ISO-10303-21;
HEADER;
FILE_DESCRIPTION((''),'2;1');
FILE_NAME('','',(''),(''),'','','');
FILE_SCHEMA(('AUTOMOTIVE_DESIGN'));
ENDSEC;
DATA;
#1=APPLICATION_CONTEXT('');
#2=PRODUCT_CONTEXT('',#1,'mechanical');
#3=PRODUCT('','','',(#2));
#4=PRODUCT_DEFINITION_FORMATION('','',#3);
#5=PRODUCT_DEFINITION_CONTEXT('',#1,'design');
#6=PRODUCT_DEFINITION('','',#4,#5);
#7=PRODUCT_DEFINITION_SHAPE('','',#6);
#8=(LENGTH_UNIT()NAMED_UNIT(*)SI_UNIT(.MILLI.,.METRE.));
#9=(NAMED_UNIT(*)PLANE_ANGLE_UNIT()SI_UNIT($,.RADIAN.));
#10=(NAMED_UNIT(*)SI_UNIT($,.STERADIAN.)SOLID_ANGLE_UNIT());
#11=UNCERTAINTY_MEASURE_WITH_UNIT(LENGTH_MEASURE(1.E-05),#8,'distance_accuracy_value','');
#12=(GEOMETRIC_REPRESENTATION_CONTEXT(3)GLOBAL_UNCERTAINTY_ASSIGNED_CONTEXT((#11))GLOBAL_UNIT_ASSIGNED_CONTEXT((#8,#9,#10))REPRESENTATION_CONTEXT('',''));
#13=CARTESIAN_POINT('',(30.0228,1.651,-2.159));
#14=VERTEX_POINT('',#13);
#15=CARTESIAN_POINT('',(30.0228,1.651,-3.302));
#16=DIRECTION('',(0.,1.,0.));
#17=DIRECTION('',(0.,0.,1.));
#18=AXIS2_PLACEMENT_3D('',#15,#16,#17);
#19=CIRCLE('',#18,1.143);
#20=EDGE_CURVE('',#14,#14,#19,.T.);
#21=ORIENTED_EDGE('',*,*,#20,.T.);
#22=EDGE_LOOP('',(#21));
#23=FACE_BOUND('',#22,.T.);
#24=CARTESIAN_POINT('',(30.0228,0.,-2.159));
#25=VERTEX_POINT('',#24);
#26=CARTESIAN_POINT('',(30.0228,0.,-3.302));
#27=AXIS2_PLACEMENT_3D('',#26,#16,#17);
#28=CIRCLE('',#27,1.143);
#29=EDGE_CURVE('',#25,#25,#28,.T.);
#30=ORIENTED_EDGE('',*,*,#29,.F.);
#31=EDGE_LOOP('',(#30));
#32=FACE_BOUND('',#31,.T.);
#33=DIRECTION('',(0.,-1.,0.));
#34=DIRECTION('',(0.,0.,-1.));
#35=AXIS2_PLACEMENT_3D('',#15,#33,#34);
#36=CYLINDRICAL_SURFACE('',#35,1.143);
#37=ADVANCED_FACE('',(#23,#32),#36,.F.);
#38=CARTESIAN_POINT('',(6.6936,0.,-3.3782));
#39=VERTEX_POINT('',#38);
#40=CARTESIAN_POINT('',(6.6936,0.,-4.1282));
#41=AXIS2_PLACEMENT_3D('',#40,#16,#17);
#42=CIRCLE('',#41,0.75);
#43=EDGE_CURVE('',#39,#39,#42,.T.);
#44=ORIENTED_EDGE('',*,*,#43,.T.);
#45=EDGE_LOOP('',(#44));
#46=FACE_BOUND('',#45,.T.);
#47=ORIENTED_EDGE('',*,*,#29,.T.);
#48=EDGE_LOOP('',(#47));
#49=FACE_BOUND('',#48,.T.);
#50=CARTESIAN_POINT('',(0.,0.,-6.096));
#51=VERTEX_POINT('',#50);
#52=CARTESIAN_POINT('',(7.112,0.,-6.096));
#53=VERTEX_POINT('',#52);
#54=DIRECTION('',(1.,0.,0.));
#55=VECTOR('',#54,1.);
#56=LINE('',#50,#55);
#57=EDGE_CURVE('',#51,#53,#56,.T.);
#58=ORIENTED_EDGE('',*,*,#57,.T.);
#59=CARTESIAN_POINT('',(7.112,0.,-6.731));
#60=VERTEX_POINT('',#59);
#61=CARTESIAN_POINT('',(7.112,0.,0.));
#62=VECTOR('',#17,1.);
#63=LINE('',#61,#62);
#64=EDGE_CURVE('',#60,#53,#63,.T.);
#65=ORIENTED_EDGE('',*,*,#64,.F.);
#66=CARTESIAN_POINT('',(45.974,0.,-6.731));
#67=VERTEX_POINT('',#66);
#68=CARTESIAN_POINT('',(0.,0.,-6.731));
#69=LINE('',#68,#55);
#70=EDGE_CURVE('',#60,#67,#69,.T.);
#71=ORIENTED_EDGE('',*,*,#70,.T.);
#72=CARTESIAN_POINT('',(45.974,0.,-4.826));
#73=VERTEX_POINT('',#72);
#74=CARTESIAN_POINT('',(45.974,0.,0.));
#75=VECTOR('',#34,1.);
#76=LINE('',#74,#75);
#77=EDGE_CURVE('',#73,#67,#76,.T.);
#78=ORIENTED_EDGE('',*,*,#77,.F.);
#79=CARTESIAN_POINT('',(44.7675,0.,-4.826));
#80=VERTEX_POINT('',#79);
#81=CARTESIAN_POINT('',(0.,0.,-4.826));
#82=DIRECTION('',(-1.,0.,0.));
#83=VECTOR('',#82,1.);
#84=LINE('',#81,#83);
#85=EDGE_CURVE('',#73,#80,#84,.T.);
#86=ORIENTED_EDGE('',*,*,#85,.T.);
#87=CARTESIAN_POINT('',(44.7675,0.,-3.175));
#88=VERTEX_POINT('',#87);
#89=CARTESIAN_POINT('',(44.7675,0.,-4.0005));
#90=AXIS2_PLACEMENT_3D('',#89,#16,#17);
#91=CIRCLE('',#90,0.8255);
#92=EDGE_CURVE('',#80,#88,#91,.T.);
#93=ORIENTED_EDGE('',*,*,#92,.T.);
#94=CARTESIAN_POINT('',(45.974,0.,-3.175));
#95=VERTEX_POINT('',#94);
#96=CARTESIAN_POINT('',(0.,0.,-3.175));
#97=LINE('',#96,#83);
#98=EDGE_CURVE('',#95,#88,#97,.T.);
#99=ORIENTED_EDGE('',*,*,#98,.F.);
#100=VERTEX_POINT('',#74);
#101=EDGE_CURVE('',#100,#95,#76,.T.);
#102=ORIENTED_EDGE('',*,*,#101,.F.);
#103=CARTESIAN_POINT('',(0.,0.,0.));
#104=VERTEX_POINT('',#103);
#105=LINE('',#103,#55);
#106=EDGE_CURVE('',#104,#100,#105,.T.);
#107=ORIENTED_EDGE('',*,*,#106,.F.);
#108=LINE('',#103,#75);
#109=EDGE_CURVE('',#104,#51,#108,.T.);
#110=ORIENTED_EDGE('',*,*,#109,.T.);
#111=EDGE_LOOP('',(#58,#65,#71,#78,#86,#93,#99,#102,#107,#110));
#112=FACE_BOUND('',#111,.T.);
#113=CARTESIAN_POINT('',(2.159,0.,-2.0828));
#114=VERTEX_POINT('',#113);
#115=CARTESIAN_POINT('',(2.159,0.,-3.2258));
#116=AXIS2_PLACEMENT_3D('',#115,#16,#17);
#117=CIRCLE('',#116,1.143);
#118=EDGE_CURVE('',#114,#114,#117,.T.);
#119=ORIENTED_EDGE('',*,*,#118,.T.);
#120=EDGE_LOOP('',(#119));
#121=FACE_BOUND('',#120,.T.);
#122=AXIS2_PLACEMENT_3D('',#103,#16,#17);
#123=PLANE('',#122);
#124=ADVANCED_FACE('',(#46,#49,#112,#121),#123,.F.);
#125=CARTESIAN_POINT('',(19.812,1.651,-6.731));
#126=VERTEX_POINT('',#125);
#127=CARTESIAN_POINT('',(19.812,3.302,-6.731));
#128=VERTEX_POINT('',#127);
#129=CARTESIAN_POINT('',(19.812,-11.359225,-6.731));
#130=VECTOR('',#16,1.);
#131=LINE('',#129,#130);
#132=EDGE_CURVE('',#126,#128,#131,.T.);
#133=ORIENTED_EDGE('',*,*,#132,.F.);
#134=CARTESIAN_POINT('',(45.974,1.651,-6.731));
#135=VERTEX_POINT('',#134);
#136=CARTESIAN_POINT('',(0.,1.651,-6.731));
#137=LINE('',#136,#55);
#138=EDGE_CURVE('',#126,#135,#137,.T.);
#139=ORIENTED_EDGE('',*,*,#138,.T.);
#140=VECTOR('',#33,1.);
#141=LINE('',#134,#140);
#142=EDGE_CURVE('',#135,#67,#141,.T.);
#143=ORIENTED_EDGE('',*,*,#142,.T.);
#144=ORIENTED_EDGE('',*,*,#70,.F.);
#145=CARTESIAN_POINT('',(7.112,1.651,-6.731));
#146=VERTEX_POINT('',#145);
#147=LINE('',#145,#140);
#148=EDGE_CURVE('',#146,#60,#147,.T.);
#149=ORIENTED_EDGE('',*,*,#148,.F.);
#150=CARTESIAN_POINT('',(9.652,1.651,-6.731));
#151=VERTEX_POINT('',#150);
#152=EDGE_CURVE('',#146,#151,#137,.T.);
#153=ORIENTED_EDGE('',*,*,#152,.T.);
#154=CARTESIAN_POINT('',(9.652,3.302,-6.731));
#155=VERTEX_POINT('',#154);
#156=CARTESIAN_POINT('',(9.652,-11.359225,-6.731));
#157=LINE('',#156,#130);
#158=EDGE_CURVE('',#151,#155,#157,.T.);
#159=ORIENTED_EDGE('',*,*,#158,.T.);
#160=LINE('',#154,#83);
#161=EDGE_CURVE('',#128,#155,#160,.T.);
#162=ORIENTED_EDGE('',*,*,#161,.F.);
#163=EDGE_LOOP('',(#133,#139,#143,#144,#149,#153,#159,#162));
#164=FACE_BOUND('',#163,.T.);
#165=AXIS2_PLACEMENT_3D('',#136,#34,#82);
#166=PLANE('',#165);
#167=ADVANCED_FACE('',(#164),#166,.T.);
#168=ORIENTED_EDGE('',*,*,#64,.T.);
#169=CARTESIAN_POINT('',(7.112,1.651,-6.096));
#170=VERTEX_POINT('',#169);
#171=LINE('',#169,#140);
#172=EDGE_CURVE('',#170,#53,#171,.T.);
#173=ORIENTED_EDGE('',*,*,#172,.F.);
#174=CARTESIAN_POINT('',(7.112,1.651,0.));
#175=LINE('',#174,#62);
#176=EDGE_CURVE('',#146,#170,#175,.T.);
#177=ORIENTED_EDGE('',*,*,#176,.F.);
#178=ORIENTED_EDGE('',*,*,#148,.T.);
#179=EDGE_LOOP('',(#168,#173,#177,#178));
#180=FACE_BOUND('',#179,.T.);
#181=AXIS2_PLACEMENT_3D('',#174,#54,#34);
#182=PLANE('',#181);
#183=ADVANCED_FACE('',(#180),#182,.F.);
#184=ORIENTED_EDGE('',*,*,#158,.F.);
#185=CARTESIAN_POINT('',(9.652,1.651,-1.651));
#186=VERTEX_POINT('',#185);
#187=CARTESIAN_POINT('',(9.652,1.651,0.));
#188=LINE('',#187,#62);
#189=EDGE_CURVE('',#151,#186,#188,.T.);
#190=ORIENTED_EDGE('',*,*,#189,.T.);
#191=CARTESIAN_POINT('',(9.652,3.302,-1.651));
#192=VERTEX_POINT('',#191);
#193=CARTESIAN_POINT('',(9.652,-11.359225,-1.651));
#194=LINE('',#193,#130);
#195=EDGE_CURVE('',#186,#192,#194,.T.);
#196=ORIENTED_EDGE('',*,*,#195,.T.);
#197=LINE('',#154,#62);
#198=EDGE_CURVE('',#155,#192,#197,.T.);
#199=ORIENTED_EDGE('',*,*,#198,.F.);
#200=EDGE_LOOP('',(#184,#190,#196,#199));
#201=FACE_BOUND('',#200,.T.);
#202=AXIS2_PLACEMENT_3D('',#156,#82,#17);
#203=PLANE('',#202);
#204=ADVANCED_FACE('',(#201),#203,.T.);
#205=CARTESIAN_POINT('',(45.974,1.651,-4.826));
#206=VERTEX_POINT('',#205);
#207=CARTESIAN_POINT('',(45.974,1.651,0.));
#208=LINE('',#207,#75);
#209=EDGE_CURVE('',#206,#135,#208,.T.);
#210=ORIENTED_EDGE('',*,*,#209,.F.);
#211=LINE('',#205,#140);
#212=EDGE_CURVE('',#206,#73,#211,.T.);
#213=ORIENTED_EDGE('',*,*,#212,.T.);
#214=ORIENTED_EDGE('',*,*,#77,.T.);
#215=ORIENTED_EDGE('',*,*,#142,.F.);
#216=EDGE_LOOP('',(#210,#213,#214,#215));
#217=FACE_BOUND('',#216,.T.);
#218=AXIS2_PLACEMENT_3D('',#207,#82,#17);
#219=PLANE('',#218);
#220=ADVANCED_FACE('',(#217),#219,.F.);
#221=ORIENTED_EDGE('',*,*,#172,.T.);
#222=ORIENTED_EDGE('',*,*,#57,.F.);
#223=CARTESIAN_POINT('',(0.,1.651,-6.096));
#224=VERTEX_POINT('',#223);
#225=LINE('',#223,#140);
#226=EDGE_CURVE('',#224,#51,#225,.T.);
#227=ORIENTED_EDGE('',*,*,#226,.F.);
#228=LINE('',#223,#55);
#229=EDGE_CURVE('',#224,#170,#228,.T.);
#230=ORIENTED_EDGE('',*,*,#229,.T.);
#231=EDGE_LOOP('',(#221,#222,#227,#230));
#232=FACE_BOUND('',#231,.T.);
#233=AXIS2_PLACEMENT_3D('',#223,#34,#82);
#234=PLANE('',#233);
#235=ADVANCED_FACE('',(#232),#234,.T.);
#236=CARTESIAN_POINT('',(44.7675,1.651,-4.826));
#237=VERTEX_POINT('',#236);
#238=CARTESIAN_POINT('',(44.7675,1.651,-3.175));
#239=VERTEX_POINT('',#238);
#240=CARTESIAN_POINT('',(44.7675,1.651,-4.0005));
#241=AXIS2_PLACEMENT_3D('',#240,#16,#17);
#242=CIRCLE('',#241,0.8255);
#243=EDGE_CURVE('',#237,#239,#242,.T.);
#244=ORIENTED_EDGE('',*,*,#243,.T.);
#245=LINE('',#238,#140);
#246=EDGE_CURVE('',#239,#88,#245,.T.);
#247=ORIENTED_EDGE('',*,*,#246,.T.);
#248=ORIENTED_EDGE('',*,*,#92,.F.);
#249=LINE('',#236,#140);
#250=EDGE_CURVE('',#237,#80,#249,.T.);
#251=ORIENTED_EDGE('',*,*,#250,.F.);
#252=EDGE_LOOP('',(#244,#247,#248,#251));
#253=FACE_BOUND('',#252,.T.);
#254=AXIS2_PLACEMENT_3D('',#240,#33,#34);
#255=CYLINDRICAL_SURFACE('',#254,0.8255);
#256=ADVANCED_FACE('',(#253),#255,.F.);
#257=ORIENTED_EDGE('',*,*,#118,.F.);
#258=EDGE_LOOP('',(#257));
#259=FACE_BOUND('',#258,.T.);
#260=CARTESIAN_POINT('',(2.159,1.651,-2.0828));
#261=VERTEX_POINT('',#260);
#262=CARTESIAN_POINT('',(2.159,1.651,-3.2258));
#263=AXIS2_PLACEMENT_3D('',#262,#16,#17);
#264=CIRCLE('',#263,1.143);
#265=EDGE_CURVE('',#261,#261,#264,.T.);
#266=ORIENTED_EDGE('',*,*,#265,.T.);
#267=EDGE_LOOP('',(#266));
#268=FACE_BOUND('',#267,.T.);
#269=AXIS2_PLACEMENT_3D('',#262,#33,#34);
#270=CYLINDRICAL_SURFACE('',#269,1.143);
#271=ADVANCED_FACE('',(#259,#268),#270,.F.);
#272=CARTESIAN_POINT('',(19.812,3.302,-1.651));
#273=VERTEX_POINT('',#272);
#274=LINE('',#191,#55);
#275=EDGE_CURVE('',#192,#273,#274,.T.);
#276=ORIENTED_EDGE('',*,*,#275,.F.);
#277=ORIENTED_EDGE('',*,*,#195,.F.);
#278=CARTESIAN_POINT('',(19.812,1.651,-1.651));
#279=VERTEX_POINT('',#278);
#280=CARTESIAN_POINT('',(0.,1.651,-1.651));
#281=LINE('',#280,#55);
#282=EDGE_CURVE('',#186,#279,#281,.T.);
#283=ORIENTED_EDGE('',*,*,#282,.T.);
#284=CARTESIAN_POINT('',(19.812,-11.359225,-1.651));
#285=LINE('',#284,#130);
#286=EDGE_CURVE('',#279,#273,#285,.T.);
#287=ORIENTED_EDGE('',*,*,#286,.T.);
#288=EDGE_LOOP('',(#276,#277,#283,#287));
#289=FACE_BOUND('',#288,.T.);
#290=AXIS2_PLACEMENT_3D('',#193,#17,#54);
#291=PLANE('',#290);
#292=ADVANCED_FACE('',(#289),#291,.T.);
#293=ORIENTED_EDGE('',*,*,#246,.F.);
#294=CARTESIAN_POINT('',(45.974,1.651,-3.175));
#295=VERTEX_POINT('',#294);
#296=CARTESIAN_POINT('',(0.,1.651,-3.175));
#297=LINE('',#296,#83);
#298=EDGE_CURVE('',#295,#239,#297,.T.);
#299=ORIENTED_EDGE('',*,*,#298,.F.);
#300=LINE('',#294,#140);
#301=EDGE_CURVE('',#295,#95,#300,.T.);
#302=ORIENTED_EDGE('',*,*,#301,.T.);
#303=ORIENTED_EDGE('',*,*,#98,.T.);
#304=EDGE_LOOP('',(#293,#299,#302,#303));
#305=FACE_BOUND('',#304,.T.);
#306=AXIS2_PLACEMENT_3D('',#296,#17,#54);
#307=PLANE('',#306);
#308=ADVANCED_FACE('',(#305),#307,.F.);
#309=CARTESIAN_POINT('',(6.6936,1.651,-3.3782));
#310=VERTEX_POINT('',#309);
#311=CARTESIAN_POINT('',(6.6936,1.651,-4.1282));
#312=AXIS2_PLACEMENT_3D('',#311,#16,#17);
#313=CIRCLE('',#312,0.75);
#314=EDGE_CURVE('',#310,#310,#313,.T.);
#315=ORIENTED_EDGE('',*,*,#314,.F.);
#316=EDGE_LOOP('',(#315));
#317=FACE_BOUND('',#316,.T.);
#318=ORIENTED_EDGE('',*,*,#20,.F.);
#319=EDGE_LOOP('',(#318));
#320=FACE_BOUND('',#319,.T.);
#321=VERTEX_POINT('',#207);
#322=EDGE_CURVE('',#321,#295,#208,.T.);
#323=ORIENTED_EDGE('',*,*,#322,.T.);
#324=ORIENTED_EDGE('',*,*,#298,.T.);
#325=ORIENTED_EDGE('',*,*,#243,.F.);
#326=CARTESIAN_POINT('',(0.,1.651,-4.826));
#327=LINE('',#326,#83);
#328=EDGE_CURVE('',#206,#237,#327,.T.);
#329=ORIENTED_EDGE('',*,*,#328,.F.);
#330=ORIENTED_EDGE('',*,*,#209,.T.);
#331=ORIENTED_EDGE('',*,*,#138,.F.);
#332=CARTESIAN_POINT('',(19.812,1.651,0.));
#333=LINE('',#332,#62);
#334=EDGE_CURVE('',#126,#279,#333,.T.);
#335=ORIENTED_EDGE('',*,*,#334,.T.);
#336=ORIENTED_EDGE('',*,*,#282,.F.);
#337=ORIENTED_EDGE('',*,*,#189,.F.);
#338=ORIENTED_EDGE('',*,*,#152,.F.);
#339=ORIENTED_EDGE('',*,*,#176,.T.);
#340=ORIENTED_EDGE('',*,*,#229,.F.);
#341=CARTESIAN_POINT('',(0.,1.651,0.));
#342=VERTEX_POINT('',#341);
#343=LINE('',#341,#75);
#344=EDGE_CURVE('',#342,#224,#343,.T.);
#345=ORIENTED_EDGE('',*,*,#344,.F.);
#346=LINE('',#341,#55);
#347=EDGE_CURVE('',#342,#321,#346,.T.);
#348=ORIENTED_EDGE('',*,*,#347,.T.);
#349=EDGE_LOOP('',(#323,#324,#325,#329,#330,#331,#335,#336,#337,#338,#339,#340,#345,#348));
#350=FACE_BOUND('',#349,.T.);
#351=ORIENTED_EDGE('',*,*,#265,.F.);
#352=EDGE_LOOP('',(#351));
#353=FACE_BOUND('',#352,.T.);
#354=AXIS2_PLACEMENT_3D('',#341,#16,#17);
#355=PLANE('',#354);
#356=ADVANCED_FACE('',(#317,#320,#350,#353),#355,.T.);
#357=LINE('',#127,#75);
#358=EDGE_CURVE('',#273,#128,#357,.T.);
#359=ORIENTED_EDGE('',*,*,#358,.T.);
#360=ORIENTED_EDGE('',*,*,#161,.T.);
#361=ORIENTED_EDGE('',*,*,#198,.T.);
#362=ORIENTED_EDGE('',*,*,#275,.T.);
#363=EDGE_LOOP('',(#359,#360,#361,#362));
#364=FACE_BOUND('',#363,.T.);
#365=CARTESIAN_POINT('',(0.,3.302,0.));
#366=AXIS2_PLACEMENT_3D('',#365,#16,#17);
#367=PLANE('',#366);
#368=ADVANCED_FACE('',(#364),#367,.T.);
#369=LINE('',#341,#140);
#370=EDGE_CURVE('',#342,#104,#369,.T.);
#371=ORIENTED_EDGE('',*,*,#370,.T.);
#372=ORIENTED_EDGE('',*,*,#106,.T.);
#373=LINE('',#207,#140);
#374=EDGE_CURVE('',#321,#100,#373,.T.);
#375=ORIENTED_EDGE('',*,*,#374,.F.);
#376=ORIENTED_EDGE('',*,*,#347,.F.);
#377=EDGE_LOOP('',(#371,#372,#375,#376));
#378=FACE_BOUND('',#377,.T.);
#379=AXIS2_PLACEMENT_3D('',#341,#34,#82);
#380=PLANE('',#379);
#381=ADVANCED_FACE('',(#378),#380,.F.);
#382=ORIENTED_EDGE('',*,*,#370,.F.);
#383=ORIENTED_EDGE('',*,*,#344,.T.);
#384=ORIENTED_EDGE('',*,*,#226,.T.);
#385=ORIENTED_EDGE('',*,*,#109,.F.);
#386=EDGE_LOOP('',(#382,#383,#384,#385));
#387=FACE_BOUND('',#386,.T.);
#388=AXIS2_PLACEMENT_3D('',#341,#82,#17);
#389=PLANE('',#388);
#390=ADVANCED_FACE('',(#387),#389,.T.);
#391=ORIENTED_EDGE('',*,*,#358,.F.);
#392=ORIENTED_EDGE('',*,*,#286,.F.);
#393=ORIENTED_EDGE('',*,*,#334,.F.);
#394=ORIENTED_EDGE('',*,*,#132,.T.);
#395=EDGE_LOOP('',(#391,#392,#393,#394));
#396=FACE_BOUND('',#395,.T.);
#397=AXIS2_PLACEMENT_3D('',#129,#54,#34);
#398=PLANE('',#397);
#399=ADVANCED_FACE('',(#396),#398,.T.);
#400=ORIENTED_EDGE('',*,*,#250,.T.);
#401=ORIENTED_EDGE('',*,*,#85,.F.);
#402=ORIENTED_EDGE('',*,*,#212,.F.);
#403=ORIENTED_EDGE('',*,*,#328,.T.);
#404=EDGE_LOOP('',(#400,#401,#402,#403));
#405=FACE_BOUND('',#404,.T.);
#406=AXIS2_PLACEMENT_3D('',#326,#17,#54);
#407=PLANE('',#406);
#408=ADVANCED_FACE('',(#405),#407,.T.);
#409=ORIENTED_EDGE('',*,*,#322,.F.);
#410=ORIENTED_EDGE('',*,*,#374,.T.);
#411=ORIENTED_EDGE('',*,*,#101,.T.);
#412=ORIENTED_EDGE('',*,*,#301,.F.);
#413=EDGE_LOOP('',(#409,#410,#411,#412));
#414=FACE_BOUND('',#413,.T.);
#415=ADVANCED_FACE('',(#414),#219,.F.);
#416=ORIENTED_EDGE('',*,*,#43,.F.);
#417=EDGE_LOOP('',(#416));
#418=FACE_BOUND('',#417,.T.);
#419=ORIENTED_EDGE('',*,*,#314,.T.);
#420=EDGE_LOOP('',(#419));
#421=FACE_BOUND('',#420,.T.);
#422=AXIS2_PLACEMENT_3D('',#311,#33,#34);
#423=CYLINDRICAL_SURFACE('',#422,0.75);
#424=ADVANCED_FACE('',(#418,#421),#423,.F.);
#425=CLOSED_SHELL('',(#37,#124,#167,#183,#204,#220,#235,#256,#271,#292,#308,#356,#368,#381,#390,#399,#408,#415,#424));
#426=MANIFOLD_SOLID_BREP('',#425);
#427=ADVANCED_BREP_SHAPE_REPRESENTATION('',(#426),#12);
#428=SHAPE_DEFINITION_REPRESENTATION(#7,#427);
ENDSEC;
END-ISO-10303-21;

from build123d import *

# Parameters (mm, degrees)
SKETCH1_R                = 1.143
SKETCH1_R_2              = 0.75
BOSS_EXTRUDE1_DEPTH      = 1.651
SKETCH2_W                = 10.16
SKETCH2_H                = 5.08
BOSS_EXTRUDE2_DEPTH      = 1.651
BOSS_EXTRUDE2_DEPTH_BACK = 1.651


with BuildPart() as part:
    # Sketch1 → Boss-Extrude1 (new body)
    with BuildSketch(Plane(origin=(0, 0, 0), x_dir=(1, 0, 0), z_dir=(0, 1, 0))):
        with BuildLine():
            Line((0, 6.096), (0, 0))
            Line((0, 0), (45.974, 0))
            Line((45.974, 0), (45.974, 3.175))
            Line((45.974, 3.175), (44.7675, 3.175))
            ThreePointArc((44.7675, 3.175), (43.942, 4.0005), (44.7675, 4.826))
            Line((44.7675, 4.826), (45.974, 4.826))
            Line((45.974, 4.826), (45.974, 6.731))
            Line((45.974, 6.731), (19.812, 6.731))
            Line((19.812, 6.731), (19.812, 1.651))
            Line((19.812, 1.651), (9.652, 1.651))
            Line((9.652, 1.651), (9.652, 6.731))
            Line((9.652, 6.731), (7.112, 6.731))
            Line((7.112, 6.731), (7.112, 6.096))
            Line((7.112, 6.096), (0, 6.096))
        make_face()
        with Locations((2.159, 3.2258)):
            Circle(SKETCH1_R, mode=Mode.SUBTRACT)
        with Locations((30.0228, 3.302)):
            Circle(SKETCH1_R, mode=Mode.SUBTRACT)
        with Locations((6.6936, 4.1282)):
            Circle(SKETCH1_R_2, mode=Mode.SUBTRACT)
    extrude(amount=BOSS_EXTRUDE1_DEPTH)

    # Sketch2 → Boss-Extrude2 (add, two sides)
    with BuildSketch(Plane(origin=(0, 1.651, 0), x_dir=(1, 0, 0), z_dir=(0, 1, 0))) as boss_extrude2_sk:
        with Locations((14.732, 4.191)):
            Rectangle(SKETCH2_W, SKETCH2_H)
    extrude(amount=BOSS_EXTRUDE2_DEPTH)
    extrude(boss_extrude2_sk.sketch, amount=-BOSS_EXTRUDE2_DEPTH_BACK)


solid = part.part
